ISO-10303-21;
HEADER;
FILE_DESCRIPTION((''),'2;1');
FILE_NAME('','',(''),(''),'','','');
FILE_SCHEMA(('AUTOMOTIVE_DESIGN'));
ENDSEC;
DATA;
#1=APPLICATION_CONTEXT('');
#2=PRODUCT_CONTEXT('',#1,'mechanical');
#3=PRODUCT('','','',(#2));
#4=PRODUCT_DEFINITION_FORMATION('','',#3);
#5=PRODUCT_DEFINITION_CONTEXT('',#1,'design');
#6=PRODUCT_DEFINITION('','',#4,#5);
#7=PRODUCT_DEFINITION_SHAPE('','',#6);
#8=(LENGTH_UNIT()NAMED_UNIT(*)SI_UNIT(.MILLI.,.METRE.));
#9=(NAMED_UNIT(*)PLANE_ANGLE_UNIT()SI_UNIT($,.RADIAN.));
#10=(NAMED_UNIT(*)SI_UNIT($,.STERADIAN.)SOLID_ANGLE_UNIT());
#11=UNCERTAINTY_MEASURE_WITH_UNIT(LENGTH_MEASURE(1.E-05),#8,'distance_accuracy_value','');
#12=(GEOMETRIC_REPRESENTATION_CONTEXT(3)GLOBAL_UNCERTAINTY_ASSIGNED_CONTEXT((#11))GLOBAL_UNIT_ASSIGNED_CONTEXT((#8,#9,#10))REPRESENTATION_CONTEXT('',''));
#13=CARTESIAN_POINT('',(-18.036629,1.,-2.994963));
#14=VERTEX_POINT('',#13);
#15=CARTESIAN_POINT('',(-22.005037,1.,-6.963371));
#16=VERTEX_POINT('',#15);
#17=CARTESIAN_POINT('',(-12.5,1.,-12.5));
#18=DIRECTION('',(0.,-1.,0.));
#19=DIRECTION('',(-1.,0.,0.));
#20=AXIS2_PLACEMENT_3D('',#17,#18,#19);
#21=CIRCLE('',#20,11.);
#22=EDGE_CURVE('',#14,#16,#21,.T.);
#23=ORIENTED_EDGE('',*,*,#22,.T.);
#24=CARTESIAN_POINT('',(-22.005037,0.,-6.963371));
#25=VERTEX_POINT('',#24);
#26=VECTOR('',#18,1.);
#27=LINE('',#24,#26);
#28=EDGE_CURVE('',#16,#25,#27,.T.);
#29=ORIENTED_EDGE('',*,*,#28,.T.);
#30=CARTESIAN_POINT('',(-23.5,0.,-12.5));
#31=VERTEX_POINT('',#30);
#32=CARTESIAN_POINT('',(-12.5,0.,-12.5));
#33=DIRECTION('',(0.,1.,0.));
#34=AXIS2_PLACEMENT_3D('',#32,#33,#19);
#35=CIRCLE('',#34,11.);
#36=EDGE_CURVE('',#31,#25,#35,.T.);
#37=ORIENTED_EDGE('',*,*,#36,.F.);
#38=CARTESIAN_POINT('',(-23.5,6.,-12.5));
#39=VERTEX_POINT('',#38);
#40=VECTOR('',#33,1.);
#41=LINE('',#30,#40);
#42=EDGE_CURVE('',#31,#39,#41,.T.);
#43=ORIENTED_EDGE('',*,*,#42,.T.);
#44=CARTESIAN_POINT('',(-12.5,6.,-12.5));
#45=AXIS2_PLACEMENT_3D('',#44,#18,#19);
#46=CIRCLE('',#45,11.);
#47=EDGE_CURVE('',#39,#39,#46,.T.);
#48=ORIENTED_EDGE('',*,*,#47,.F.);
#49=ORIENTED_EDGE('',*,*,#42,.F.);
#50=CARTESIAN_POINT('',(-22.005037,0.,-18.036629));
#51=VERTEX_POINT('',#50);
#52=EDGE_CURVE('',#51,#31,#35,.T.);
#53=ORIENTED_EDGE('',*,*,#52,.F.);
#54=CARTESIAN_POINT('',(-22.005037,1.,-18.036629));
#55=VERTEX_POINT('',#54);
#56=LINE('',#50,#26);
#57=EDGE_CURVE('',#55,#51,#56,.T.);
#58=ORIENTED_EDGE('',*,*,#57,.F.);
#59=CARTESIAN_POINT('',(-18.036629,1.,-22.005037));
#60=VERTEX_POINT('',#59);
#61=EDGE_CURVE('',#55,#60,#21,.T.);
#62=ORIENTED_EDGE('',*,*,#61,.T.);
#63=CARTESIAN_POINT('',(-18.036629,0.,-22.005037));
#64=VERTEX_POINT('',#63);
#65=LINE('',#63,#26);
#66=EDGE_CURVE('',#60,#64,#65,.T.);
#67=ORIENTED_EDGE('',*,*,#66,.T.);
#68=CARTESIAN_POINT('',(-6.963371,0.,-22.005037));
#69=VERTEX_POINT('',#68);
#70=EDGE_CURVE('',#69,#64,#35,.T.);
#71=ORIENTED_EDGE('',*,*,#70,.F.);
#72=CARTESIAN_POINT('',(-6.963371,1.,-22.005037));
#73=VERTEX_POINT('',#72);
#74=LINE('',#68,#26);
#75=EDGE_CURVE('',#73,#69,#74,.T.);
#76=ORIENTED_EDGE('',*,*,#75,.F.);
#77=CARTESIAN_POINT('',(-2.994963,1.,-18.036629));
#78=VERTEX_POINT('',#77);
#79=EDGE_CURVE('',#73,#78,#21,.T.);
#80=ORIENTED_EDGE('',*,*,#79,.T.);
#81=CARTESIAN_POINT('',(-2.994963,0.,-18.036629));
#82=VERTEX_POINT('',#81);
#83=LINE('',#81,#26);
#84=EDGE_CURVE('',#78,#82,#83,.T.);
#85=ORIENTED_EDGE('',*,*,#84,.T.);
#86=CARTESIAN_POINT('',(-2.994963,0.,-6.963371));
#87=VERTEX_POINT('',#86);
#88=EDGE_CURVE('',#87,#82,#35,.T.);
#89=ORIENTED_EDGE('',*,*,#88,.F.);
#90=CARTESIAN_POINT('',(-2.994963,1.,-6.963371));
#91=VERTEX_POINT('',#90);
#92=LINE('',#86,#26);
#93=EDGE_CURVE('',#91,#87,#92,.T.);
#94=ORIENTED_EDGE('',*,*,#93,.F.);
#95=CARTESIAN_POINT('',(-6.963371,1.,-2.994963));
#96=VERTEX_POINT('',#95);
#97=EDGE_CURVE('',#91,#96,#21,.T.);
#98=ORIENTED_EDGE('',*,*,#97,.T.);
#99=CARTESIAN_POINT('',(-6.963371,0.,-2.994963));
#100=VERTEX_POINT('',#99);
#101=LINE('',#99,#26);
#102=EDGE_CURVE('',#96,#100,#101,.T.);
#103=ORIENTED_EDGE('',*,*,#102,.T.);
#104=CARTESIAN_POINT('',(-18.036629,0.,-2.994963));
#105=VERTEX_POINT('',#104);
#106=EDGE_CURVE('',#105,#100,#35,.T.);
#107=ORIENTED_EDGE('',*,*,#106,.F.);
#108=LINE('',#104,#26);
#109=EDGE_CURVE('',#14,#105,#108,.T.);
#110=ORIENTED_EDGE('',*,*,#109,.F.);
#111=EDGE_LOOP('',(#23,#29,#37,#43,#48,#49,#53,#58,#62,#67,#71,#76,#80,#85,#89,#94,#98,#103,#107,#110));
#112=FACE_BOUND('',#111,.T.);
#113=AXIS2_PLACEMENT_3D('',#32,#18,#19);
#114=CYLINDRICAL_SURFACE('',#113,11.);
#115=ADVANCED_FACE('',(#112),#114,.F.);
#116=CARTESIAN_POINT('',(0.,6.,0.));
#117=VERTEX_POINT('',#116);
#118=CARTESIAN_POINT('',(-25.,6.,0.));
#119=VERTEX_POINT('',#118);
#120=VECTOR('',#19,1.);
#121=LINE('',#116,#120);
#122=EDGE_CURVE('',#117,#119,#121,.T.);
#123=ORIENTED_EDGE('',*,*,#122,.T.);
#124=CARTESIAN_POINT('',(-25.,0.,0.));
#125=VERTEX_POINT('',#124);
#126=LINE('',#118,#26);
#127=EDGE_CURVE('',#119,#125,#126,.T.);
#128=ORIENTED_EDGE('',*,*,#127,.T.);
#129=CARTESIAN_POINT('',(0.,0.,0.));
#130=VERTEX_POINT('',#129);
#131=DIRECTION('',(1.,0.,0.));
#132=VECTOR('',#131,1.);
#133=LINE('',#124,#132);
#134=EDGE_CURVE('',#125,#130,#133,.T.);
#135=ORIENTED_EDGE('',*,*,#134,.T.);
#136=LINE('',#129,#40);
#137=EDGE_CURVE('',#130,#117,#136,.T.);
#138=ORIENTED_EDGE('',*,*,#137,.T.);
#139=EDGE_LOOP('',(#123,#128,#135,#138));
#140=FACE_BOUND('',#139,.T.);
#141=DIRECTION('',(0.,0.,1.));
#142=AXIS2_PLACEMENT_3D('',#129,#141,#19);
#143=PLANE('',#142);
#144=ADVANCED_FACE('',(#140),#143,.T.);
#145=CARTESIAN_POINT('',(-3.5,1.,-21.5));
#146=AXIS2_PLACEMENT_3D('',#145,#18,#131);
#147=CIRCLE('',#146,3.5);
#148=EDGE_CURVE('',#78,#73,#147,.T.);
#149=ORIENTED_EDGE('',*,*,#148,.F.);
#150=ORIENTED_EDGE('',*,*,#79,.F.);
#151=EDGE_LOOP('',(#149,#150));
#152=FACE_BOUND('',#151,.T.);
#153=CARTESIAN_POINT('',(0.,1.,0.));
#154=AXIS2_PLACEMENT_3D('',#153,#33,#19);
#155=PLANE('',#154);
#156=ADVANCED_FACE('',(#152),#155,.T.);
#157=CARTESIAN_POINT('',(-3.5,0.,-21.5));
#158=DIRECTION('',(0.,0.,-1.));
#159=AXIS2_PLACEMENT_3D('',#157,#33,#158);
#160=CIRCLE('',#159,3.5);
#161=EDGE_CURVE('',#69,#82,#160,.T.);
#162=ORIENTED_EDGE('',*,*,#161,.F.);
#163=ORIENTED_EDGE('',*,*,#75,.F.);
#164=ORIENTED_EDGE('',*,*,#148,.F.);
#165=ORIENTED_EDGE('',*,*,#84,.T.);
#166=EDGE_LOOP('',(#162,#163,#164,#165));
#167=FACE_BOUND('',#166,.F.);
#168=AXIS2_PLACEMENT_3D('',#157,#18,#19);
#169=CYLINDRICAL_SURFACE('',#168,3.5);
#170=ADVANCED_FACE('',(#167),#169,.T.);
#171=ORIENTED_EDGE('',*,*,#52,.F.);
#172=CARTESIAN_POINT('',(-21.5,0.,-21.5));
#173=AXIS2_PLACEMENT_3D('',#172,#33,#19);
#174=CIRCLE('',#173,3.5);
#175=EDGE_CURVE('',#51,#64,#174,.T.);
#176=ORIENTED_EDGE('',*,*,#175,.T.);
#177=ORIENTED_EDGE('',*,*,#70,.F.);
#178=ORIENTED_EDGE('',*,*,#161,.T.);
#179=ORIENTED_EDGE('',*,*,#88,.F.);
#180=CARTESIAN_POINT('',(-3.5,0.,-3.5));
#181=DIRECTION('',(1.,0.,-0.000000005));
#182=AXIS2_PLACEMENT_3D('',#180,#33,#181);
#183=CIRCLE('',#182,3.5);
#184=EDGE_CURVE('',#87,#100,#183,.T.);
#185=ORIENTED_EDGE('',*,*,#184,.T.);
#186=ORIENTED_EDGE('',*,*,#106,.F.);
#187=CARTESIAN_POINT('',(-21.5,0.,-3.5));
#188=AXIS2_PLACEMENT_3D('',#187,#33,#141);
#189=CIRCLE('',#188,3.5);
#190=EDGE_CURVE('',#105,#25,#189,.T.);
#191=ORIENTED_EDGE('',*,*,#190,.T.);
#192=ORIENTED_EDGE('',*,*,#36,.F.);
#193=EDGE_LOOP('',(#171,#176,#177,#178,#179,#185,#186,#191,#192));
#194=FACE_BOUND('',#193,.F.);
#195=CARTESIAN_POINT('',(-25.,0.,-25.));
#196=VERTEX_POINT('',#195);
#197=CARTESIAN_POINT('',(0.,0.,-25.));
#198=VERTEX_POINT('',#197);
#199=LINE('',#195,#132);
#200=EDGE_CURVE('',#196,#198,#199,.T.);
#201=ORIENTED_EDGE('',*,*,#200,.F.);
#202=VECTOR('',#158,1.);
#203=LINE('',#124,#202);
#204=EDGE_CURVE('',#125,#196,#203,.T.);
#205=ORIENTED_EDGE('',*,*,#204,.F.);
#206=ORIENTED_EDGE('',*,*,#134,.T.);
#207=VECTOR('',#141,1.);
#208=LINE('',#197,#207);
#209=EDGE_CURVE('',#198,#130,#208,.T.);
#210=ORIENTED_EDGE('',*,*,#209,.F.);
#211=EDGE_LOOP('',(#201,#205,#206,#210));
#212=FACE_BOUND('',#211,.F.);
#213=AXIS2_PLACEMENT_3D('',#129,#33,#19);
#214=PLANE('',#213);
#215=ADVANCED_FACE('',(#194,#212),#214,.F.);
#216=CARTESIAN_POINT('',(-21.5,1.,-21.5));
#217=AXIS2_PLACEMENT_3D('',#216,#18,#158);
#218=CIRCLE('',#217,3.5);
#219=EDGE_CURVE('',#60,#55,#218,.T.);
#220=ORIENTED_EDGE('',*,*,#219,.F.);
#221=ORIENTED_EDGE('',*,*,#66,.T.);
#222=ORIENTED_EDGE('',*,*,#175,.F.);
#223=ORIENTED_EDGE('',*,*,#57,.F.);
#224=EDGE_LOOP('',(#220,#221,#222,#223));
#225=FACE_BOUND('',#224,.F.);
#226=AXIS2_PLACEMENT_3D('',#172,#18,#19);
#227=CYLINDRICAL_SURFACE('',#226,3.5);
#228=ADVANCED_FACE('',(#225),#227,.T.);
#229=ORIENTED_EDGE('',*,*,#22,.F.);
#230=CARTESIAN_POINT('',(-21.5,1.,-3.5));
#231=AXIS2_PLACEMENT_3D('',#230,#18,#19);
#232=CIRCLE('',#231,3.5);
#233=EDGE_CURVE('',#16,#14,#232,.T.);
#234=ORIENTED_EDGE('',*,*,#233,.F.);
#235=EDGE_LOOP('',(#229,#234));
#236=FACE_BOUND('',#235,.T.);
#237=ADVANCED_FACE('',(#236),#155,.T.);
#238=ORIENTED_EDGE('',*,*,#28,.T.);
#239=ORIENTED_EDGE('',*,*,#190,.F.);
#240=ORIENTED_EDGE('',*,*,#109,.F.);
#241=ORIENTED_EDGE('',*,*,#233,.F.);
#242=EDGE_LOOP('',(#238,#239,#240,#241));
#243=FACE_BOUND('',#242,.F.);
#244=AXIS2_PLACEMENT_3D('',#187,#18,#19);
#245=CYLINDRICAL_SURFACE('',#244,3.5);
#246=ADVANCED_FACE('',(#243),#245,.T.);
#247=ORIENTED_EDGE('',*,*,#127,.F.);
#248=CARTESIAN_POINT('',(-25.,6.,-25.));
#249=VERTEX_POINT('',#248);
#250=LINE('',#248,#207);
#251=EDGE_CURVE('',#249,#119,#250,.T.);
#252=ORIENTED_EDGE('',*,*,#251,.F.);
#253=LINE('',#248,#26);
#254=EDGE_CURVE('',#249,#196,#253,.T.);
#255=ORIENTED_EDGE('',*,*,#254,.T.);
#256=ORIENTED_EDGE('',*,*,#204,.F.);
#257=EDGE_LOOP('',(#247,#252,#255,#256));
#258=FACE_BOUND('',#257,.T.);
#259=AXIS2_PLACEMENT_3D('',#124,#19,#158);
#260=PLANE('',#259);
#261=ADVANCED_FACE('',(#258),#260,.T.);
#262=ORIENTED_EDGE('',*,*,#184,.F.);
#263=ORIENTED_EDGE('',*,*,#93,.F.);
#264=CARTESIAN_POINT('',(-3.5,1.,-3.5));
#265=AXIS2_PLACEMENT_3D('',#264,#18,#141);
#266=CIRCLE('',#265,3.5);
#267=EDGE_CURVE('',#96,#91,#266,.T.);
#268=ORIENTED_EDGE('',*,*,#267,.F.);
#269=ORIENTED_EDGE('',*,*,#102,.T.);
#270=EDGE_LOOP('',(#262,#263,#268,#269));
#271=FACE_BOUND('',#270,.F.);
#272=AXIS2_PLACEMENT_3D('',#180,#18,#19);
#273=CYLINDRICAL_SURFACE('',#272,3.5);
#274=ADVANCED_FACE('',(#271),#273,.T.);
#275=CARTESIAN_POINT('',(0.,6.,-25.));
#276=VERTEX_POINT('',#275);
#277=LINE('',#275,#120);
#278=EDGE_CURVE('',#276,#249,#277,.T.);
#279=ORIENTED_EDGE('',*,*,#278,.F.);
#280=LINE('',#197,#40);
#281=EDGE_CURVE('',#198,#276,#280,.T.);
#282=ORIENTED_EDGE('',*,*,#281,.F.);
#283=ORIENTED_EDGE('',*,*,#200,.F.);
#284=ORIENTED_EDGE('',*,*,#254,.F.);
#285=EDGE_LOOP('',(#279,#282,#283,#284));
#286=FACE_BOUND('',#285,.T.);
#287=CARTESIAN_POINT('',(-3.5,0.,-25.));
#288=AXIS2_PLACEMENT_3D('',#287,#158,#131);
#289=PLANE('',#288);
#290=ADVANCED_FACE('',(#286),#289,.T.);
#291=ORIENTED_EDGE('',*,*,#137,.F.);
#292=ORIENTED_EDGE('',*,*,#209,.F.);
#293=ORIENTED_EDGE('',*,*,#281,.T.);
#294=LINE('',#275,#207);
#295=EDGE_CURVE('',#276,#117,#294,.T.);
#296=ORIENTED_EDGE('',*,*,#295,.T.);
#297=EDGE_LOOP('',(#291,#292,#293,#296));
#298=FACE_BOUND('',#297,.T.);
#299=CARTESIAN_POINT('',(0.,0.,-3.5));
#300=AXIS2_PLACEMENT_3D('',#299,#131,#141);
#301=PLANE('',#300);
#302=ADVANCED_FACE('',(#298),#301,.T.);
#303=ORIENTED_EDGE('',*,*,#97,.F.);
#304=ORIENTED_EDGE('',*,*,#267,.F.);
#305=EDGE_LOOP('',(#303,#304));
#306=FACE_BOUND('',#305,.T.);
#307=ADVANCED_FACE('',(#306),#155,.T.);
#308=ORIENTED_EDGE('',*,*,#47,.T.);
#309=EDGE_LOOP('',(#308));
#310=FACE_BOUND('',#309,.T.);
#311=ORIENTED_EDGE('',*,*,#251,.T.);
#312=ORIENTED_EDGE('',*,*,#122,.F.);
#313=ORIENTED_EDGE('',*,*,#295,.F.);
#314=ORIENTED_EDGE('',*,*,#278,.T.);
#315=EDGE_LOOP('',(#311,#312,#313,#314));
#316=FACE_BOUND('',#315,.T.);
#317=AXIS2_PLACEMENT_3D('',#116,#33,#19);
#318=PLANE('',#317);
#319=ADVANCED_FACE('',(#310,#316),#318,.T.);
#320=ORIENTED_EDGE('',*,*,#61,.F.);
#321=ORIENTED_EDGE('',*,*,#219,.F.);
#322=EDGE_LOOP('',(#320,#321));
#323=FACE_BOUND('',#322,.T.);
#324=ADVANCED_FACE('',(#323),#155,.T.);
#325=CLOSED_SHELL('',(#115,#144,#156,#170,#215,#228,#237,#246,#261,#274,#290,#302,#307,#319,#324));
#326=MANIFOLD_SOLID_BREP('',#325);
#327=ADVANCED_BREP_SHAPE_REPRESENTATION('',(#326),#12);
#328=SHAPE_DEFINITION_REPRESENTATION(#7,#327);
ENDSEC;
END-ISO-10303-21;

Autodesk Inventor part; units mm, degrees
ref_plane "YZ Plane" through (0, 0, 0) normal (1, 0, 0) x (0, 1, 0)
ref_plane "XZ Plane" through (0, 0, 0) normal (0, 1, 0) x (-1, 0, 0)
ref_plane "XY Plane" through (0, 0, 0) normal (0, 0, 1) x (1, 0, 0)
sketch "Sketch1" plane through (0, 0, 0) normal (0, 1, 0) x (-1, 0, 0)
  line L0 (0, 0) -> (25, 0)
  line L1 (25, 0) -> (25, -25)
  line L2 (25, -25) -> (0, -25)
  line L3 (0, -25) -> (0, 0)
  circle A0 centre (12.5, -12.5) radius 11
  circle A1 centre (3.5, -3.5) radius 3.5
  circle A2 centre (3.5, -21.5) radius 3.5
  circle A3 centre (21.5, -21.5) radius 3.5
  circle A4 centre (21.5, -3.5) radius 3.5
  line L4 (25, -12.5) -> (0, -12.5) construction
  line L5 (12.5, -25) -> (12.5, 0) construction
  point P0 (6.9634, -2.995)
  point P1 (2.995, -6.9634)
  point P2 (18.0366, -2.995)
  point P3 (22.005, -6.9634)
  point P4 (6.9634, -22.005)
  point P5 (2.995, -18.0366)
  point P6 (22.005, -18.0366)
  point P7 (18.0366, -22.005)
  point P8 (0, -3.5)
  point P9 (3.5, 0)
  point P10 (25, -3.5)
  point P11 (21.5, 0)
  point P12 (0, -21.5)
  point P13 (3.5, -25)
  point P14 (21.5, -25)
  point P15 (25, -21.5)
  dimension "cellRadius" = 22
  dimension "catcherRadius" = 7
  dimension "d27" = 7
  dimension "d28" = 7
  dimension "d29" = 7
  dimension "d36" = 25
  dimension "d37" = 25
extrude "thickness" add sketch "Sketch1" along normal blind 6 contours L0 A1 L3 | L0 A4 A0 A1 | A1 A0 | A1 A0 A2 L3 | L0 L1 A4 | A4 A0 | A2 L2 L3 | A2 A0 | L1 A3 A0 A4 | A2 A0 A3 L2 | A3 A0 | L1 L2 A3 picked at (3.6063, -3.4216) picked at (21.3937, -3.4216) picked at (3.4216, -21.3937) picked at (21.3937, -21.5784)
extrude "catcher" add sketch "Sketch1" along normal blind 1 contours L0 A1 L3 | A1 A0 | L0 L1 A4 | A4 A0 | A1 A0 | A2 L2 L3 | A2 A0 | A0 A4 | A2 A0 | A3 A0 | L1 L2 A3 | A0 A3
equation "\"d27\" = catcherRadius"
equation "\"d28\" = catcherRadius"
equation "\"d29\" = catcherRadius"
equation "\"d36\" = width"
equation "\"d37\" = width"
equation "\"catcherHeight\" = 0.166667 * spacerHeight"
equation "\"width\" = 25"
equation "\"spacerHeight\" = 6"
properties part number "spacers_base"
